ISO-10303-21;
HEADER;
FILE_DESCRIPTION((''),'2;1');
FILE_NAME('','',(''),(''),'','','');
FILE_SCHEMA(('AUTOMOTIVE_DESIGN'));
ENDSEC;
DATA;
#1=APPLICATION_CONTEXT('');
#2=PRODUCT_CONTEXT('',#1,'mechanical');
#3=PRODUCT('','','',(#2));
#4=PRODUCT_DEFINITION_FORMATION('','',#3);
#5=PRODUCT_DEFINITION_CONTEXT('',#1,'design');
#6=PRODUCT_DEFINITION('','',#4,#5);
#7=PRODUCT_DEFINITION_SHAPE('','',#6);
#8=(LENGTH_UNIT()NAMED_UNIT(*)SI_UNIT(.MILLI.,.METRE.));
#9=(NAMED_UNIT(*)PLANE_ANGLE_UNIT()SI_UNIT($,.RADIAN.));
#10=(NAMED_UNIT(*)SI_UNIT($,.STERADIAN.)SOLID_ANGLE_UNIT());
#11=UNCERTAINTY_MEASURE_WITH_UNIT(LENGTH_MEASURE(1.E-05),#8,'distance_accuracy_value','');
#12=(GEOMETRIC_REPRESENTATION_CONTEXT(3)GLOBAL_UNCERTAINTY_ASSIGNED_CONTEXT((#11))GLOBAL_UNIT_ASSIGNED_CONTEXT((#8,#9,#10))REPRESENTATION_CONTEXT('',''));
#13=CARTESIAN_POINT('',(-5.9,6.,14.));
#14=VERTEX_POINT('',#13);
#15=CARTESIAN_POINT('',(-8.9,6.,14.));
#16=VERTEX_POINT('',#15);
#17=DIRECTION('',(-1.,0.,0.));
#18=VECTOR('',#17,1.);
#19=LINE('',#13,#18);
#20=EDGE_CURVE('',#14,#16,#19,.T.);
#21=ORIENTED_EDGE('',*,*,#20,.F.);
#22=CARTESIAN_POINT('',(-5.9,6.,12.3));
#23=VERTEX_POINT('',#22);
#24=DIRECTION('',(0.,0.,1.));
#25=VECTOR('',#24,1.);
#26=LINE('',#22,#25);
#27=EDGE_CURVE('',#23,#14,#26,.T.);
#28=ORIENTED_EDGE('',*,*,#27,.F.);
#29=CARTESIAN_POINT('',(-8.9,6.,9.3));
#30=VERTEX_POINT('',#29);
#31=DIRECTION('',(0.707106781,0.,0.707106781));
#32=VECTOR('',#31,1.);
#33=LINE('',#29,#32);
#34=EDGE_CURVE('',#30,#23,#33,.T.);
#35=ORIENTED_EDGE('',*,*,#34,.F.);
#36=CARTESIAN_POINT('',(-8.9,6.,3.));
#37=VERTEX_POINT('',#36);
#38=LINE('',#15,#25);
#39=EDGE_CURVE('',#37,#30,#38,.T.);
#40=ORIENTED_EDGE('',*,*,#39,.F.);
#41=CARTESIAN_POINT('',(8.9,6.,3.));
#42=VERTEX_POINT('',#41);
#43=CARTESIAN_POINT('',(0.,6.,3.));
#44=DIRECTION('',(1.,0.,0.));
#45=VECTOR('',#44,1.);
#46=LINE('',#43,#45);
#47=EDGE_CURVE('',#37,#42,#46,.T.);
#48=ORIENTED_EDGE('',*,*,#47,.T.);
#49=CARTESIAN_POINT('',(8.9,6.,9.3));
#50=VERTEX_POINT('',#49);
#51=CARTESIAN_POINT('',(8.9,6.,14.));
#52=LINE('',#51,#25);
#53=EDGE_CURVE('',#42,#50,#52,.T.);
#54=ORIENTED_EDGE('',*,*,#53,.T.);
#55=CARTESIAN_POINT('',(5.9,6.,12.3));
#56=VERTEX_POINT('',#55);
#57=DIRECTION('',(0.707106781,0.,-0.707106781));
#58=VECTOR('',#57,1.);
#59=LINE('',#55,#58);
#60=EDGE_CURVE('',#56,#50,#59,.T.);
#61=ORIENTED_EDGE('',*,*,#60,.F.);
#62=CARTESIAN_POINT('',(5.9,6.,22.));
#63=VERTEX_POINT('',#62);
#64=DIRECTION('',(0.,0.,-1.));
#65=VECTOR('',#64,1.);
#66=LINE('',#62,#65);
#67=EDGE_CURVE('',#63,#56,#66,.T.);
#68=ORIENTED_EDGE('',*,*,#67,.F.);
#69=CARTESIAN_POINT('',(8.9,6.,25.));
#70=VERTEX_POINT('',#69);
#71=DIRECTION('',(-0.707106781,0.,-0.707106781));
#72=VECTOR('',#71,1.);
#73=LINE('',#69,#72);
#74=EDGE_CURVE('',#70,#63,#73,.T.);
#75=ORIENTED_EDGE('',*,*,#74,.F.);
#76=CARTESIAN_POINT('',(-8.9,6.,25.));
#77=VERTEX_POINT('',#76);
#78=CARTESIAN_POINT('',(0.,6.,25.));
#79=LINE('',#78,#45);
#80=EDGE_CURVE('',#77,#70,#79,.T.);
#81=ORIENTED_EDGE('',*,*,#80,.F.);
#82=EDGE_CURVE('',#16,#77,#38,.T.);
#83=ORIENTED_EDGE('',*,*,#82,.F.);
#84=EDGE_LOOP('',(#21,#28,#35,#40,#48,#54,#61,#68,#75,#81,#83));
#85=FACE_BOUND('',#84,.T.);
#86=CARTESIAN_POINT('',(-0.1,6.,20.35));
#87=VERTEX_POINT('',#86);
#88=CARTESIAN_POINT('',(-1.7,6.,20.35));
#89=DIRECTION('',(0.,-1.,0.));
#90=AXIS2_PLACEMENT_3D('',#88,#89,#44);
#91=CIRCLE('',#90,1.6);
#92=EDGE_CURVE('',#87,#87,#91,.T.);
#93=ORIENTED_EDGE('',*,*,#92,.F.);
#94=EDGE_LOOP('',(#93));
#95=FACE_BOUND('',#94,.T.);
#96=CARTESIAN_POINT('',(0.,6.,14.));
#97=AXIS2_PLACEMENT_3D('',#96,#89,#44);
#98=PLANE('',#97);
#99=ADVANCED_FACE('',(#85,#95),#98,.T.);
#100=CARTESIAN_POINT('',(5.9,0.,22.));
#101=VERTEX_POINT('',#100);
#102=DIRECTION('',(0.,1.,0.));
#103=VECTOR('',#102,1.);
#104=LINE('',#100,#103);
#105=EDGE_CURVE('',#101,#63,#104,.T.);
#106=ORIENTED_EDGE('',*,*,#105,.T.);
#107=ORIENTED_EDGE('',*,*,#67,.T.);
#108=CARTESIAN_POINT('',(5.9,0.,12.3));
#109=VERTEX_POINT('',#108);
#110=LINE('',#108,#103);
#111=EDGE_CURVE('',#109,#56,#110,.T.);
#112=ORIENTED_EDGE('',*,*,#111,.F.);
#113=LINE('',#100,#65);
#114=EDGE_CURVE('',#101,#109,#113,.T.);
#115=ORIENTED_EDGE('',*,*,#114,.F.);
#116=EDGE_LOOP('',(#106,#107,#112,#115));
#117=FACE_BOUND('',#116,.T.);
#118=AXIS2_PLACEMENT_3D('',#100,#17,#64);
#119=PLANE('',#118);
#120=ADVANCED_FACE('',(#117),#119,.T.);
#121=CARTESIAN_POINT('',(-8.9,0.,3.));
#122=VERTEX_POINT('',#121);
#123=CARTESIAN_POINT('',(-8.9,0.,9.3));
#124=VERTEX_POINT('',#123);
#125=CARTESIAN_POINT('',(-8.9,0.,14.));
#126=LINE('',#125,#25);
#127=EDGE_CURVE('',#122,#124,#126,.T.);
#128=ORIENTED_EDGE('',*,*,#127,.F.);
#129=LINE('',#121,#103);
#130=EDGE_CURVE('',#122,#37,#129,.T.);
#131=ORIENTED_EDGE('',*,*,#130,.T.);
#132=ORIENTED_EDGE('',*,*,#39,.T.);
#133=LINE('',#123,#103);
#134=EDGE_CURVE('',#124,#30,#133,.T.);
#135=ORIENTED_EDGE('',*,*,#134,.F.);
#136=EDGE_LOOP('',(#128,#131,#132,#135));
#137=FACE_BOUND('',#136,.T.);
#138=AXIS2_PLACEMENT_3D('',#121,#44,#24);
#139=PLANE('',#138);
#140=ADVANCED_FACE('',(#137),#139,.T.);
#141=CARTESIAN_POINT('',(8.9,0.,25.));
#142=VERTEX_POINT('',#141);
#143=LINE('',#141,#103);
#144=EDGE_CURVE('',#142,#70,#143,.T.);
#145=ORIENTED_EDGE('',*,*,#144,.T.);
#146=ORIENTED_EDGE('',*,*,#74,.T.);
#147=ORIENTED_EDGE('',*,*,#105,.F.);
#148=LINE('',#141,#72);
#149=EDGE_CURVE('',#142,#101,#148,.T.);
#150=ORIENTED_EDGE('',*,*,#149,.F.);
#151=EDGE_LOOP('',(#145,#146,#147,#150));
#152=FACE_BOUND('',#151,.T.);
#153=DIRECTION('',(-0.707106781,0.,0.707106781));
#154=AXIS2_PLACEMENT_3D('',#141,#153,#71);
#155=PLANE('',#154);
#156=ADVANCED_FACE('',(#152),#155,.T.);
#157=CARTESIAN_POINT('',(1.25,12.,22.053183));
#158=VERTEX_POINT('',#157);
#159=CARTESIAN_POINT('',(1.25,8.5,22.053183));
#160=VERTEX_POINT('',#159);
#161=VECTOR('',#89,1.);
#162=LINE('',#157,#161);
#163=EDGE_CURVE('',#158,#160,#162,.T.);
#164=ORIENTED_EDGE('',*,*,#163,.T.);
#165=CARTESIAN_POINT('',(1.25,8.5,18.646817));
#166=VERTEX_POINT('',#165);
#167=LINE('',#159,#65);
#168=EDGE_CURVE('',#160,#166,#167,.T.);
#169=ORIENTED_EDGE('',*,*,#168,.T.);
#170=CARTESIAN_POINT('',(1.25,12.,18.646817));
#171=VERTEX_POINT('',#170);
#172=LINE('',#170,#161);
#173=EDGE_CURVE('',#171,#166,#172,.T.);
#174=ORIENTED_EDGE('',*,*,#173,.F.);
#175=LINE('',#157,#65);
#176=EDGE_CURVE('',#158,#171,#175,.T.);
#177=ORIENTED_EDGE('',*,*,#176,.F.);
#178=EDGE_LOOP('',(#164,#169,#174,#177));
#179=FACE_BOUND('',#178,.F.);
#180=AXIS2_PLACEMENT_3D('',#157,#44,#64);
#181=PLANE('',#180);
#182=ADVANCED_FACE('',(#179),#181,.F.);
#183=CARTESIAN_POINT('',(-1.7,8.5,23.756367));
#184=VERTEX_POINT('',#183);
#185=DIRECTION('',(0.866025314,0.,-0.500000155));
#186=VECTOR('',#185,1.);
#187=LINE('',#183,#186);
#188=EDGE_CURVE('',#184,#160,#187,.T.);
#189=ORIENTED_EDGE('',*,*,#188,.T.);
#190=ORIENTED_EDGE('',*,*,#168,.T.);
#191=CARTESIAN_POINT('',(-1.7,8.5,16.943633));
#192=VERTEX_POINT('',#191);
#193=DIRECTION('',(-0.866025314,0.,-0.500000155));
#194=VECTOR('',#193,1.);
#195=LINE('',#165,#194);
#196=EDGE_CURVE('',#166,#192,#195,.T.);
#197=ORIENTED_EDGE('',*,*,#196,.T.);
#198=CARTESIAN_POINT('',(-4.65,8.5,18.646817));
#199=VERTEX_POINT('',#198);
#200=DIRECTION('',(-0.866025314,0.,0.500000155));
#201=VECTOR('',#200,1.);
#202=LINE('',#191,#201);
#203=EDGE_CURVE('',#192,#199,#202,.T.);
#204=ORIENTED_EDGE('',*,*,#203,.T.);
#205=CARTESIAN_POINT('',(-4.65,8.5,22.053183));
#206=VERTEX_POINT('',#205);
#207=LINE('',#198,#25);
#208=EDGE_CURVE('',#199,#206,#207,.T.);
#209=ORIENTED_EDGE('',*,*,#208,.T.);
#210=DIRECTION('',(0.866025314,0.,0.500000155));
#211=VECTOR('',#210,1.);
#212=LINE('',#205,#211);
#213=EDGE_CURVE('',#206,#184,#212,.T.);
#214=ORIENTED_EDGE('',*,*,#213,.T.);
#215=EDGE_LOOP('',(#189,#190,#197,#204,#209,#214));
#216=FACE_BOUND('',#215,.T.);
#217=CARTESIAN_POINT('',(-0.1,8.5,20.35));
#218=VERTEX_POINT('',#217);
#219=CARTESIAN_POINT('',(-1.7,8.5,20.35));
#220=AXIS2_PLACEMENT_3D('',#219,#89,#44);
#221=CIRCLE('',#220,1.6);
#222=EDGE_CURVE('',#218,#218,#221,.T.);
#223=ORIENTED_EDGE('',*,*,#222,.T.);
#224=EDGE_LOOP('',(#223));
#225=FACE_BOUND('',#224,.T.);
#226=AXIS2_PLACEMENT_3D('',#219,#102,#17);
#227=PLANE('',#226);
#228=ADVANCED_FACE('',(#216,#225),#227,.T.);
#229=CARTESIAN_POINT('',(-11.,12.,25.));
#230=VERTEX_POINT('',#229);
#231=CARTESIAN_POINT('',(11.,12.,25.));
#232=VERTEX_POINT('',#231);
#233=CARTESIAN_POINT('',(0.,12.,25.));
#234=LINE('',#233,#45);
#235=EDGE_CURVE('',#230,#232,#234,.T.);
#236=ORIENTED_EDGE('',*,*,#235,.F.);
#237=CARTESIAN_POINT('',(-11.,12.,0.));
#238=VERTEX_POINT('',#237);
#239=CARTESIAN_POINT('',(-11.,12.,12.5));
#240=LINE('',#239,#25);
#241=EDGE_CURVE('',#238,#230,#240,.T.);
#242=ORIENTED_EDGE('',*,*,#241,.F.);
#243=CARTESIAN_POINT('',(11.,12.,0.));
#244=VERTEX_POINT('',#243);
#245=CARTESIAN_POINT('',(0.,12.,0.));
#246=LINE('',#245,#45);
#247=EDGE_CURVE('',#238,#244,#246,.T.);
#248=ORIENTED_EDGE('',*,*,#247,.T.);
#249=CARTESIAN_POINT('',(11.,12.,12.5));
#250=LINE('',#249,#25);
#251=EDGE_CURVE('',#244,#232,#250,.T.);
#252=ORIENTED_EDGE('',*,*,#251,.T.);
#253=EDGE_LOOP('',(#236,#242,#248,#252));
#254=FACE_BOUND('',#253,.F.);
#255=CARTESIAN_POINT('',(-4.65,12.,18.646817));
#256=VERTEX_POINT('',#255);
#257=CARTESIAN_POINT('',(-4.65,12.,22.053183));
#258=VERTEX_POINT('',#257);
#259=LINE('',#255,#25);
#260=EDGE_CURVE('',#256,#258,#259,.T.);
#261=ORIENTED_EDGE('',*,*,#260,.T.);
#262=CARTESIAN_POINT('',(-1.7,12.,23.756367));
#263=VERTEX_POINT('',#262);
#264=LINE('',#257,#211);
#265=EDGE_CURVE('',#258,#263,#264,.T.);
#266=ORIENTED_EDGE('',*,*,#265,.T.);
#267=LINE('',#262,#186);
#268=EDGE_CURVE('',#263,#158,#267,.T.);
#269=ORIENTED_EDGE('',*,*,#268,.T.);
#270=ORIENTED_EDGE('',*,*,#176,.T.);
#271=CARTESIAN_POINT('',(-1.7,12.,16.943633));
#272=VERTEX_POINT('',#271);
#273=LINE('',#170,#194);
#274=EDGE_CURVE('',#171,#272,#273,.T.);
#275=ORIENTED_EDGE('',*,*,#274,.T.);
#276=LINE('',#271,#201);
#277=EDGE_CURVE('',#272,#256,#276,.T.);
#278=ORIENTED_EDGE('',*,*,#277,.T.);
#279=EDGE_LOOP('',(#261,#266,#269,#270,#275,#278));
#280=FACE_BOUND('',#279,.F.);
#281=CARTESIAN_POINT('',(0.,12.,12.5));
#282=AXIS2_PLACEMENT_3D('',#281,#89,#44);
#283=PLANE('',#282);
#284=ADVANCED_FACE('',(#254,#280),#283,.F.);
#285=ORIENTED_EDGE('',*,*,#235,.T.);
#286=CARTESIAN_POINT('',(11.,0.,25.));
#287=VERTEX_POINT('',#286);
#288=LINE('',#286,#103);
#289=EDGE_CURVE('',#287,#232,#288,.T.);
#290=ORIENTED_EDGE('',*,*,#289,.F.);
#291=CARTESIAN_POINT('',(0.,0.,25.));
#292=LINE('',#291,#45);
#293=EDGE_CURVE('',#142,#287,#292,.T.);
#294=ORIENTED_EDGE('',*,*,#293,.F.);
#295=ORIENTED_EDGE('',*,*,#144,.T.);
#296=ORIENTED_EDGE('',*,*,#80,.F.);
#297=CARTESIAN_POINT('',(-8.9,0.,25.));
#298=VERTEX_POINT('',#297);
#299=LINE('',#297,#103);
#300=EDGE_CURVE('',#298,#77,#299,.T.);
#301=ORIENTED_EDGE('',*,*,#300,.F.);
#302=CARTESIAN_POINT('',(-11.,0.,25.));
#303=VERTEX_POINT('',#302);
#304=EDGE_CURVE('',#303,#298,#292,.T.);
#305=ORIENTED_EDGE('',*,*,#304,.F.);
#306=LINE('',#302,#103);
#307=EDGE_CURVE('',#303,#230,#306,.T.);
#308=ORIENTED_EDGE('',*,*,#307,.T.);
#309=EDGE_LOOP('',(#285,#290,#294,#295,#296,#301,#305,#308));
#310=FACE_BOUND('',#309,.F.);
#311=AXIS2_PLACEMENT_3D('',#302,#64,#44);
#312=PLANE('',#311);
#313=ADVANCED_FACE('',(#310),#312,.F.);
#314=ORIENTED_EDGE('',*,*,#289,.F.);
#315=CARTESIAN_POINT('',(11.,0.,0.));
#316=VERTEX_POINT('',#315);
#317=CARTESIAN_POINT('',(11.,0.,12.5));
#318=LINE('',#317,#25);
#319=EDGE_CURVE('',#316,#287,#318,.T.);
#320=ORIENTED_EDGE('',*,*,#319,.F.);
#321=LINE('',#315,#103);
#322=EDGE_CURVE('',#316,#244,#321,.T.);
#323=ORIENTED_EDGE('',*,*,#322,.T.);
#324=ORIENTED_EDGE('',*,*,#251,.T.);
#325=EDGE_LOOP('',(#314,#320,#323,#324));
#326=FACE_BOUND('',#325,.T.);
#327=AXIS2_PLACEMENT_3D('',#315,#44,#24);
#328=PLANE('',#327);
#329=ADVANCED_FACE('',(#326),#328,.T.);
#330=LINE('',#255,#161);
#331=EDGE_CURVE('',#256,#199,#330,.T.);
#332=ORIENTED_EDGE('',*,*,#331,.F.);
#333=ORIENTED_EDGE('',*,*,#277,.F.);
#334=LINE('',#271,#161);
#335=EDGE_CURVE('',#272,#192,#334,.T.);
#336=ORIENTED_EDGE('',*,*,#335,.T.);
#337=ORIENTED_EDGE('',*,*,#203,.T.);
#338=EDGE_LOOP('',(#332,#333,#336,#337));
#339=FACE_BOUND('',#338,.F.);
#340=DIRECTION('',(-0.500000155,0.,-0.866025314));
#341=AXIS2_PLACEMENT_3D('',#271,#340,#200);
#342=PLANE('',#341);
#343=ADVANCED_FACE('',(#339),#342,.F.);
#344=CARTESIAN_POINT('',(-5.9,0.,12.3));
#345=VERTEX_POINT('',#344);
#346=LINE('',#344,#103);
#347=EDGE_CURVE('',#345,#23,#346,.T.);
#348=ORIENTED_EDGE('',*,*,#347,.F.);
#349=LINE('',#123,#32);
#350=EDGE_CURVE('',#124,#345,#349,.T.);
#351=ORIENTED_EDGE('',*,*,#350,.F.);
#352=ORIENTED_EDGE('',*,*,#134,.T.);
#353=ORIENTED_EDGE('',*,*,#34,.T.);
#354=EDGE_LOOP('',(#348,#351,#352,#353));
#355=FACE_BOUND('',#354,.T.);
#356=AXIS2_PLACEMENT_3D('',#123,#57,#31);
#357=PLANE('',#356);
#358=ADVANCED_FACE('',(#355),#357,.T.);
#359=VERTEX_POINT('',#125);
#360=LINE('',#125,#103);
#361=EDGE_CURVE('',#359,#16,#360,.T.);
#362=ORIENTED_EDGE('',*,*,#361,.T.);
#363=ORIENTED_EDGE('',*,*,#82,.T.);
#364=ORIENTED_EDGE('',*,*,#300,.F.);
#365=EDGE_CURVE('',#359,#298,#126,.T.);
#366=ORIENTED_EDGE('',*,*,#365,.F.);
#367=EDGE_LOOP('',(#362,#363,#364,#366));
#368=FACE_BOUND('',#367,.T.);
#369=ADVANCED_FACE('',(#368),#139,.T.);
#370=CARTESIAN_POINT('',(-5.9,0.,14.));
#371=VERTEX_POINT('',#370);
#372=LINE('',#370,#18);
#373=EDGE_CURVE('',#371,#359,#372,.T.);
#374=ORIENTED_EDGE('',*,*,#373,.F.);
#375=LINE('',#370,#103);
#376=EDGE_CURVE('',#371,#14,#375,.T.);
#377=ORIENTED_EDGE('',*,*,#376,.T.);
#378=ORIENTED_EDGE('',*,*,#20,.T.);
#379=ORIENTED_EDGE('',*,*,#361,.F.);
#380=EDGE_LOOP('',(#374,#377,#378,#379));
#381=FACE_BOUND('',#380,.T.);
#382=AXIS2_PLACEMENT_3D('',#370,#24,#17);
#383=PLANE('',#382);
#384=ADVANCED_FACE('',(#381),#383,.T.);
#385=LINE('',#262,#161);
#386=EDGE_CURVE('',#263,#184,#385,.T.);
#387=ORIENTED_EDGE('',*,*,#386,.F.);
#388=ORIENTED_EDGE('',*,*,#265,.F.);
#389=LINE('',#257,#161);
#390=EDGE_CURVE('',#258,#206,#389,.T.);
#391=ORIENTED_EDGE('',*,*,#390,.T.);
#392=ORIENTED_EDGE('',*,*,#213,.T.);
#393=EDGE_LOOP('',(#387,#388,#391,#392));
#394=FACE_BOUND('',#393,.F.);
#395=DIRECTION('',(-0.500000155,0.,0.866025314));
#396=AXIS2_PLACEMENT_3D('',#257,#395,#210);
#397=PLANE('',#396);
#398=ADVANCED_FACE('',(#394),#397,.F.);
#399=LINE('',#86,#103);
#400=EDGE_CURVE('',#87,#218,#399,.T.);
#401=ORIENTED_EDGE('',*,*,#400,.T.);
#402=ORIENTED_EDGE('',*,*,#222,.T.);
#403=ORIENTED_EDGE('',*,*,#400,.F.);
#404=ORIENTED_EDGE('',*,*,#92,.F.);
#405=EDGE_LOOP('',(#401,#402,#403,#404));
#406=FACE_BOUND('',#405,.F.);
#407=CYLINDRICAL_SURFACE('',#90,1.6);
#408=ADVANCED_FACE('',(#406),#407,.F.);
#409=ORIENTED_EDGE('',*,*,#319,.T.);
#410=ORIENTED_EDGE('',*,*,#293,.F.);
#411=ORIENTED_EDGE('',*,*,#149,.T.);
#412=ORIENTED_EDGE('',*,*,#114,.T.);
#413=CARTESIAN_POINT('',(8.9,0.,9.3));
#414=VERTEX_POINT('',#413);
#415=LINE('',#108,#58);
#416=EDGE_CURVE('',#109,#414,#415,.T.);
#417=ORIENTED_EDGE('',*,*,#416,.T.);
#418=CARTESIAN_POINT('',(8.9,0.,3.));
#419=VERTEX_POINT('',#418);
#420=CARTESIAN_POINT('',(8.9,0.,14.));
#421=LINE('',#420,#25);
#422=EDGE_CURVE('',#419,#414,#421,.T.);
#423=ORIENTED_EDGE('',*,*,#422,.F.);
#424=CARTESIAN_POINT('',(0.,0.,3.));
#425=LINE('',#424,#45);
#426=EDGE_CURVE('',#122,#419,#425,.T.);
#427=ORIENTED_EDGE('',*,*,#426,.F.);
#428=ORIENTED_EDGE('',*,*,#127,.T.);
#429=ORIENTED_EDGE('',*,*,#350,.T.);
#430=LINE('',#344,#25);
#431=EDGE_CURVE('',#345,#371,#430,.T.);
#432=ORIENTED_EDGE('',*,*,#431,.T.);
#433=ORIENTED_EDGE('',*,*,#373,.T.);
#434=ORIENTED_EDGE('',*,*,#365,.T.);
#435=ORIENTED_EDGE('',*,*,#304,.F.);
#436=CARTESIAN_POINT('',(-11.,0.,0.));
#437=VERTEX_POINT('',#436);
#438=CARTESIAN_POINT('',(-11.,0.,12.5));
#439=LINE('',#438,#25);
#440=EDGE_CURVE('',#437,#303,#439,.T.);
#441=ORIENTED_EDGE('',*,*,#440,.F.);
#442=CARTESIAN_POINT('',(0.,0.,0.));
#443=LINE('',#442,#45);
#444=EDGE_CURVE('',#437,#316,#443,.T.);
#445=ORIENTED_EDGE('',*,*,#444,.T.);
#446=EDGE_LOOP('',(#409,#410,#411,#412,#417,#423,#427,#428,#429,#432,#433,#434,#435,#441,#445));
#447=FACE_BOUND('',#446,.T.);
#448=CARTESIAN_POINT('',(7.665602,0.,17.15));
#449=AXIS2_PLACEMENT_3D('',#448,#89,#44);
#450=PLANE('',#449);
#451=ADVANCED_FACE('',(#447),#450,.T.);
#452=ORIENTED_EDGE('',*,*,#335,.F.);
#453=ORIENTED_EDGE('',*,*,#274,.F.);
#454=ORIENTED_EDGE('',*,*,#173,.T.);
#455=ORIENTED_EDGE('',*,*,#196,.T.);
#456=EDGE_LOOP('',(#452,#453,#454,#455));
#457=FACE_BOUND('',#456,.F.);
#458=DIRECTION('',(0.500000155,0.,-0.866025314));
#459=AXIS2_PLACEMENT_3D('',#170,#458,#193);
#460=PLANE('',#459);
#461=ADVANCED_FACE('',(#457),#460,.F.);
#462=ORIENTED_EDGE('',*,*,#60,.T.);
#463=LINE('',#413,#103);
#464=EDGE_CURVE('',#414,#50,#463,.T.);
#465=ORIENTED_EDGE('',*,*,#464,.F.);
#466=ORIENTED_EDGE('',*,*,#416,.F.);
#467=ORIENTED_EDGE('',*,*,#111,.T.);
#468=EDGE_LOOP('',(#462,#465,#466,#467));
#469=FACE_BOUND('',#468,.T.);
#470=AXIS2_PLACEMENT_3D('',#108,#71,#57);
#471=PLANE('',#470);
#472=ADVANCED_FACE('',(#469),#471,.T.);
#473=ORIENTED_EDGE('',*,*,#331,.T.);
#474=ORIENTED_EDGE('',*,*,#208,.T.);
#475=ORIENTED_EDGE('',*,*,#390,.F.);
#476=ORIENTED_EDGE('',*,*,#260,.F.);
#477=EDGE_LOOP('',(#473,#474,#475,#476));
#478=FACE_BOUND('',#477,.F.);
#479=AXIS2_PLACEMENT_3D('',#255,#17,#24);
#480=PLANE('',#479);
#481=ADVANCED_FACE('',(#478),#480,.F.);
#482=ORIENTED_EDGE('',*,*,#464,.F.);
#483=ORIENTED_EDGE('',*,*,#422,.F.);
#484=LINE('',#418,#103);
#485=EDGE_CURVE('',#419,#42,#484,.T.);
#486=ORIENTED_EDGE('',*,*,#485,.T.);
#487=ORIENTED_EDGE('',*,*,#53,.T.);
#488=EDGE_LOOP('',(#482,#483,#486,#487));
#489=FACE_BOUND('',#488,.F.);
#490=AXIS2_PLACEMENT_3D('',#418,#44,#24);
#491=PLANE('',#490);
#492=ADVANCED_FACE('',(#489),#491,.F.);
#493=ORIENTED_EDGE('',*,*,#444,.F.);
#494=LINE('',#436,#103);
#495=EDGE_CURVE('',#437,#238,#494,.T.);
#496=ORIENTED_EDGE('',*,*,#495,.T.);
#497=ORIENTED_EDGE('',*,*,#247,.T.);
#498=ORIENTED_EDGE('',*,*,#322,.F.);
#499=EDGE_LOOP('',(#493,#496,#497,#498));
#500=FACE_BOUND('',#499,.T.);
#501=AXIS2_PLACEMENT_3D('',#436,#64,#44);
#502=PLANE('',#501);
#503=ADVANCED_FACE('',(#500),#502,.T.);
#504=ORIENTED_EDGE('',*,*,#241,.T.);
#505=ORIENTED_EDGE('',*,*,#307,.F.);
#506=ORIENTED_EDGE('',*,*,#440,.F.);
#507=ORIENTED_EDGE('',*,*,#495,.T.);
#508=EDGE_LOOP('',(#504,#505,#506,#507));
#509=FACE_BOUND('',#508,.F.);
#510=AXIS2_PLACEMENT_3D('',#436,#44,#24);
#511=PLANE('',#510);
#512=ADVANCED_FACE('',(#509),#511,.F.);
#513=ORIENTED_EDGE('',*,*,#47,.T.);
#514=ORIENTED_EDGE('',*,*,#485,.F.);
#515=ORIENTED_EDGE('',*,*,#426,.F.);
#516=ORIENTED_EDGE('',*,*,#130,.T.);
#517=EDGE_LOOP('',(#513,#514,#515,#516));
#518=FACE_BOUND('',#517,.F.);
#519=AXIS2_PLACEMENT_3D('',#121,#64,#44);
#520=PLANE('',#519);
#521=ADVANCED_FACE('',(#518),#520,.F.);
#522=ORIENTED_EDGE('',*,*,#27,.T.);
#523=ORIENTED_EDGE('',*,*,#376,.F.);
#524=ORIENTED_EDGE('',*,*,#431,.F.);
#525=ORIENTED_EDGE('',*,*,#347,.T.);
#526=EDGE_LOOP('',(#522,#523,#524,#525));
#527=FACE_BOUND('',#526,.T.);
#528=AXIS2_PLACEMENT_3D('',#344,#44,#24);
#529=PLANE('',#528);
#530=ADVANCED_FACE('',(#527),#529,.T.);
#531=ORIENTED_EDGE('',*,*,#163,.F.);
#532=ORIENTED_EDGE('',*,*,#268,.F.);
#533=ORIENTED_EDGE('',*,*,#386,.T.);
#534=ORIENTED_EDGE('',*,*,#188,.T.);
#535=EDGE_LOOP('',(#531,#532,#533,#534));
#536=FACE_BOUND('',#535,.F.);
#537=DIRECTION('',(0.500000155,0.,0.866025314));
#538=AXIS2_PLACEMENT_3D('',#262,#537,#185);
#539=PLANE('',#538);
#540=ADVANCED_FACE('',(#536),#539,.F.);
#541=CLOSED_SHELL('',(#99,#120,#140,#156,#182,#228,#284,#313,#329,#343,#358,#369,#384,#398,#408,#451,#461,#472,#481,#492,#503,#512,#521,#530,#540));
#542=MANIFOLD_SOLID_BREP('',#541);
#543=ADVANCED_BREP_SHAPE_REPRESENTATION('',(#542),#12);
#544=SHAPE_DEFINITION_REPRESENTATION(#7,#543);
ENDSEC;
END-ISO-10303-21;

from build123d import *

# Parameters (mm, degrees)
F0_W     = 22
F0_H     = 25
F1_DEPTH = 12
F2_W     = 17.8
F2_H     = 22
F3_DEPTH = 6
F5_DEPTH = 6
F6_R     = 1.6
F7_DEPTH = 6.001
F9_DEPTH = 3.5


with BuildPart() as f1:
    # F0 (on Front) → F1 (new body)
    with BuildSketch(Plane.XZ):
        with Locations((0, 12.5)):
            Rectangle(F0_W, F0_H)
    extrude(amount=-F1_DEPTH)

    # F2 (on face) → F3 (cut)
    with BuildSketch(Plane.XZ):
        with Locations((0, 14)):
            Rectangle(F2_W, F2_H)
    extrude(amount=-F3_DEPTH, mode=Mode.SUBTRACT)

    # F4 (on face) → F5 (join, through all)
    with BuildSketch(Plane.XZ):
        Polygon((-5.9, 14), (-8.9, 14), (-8.9, 9.3), (-5.9, 12.3), align=None)
        Polygon((8.9, 9.3), (8.9, 25), (5.9, 22), (5.9, 12.3), align=None)
    extrude(amount=-F5_DEPTH)

    # F6 (on face) → F7 (cut, through all)
    with BuildSketch(Plane.XZ.offset(-6)):
        with Locations((-1.7, 20.35)):
            Circle(F6_R)
    extrude(amount=-F7_DEPTH, mode=Mode.SUBTRACT)

    # F8 (on face) → F9 (cut)
    with BuildSketch(Plane(origin=(0, 12, 0), x_dir=(-1, 0, 0), z_dir=(0, 1, 0))):
        Polygon((4.65, 18.646817), (4.65, 22.053183), (1.7, 23.756367), (-1.25, 22.053183), (-1.25, 18.646817), (1.7, 16.943633), align=None)
    extrude(amount=-F9_DEPTH, mode=Mode.SUBTRACT)


solid = f1.part
